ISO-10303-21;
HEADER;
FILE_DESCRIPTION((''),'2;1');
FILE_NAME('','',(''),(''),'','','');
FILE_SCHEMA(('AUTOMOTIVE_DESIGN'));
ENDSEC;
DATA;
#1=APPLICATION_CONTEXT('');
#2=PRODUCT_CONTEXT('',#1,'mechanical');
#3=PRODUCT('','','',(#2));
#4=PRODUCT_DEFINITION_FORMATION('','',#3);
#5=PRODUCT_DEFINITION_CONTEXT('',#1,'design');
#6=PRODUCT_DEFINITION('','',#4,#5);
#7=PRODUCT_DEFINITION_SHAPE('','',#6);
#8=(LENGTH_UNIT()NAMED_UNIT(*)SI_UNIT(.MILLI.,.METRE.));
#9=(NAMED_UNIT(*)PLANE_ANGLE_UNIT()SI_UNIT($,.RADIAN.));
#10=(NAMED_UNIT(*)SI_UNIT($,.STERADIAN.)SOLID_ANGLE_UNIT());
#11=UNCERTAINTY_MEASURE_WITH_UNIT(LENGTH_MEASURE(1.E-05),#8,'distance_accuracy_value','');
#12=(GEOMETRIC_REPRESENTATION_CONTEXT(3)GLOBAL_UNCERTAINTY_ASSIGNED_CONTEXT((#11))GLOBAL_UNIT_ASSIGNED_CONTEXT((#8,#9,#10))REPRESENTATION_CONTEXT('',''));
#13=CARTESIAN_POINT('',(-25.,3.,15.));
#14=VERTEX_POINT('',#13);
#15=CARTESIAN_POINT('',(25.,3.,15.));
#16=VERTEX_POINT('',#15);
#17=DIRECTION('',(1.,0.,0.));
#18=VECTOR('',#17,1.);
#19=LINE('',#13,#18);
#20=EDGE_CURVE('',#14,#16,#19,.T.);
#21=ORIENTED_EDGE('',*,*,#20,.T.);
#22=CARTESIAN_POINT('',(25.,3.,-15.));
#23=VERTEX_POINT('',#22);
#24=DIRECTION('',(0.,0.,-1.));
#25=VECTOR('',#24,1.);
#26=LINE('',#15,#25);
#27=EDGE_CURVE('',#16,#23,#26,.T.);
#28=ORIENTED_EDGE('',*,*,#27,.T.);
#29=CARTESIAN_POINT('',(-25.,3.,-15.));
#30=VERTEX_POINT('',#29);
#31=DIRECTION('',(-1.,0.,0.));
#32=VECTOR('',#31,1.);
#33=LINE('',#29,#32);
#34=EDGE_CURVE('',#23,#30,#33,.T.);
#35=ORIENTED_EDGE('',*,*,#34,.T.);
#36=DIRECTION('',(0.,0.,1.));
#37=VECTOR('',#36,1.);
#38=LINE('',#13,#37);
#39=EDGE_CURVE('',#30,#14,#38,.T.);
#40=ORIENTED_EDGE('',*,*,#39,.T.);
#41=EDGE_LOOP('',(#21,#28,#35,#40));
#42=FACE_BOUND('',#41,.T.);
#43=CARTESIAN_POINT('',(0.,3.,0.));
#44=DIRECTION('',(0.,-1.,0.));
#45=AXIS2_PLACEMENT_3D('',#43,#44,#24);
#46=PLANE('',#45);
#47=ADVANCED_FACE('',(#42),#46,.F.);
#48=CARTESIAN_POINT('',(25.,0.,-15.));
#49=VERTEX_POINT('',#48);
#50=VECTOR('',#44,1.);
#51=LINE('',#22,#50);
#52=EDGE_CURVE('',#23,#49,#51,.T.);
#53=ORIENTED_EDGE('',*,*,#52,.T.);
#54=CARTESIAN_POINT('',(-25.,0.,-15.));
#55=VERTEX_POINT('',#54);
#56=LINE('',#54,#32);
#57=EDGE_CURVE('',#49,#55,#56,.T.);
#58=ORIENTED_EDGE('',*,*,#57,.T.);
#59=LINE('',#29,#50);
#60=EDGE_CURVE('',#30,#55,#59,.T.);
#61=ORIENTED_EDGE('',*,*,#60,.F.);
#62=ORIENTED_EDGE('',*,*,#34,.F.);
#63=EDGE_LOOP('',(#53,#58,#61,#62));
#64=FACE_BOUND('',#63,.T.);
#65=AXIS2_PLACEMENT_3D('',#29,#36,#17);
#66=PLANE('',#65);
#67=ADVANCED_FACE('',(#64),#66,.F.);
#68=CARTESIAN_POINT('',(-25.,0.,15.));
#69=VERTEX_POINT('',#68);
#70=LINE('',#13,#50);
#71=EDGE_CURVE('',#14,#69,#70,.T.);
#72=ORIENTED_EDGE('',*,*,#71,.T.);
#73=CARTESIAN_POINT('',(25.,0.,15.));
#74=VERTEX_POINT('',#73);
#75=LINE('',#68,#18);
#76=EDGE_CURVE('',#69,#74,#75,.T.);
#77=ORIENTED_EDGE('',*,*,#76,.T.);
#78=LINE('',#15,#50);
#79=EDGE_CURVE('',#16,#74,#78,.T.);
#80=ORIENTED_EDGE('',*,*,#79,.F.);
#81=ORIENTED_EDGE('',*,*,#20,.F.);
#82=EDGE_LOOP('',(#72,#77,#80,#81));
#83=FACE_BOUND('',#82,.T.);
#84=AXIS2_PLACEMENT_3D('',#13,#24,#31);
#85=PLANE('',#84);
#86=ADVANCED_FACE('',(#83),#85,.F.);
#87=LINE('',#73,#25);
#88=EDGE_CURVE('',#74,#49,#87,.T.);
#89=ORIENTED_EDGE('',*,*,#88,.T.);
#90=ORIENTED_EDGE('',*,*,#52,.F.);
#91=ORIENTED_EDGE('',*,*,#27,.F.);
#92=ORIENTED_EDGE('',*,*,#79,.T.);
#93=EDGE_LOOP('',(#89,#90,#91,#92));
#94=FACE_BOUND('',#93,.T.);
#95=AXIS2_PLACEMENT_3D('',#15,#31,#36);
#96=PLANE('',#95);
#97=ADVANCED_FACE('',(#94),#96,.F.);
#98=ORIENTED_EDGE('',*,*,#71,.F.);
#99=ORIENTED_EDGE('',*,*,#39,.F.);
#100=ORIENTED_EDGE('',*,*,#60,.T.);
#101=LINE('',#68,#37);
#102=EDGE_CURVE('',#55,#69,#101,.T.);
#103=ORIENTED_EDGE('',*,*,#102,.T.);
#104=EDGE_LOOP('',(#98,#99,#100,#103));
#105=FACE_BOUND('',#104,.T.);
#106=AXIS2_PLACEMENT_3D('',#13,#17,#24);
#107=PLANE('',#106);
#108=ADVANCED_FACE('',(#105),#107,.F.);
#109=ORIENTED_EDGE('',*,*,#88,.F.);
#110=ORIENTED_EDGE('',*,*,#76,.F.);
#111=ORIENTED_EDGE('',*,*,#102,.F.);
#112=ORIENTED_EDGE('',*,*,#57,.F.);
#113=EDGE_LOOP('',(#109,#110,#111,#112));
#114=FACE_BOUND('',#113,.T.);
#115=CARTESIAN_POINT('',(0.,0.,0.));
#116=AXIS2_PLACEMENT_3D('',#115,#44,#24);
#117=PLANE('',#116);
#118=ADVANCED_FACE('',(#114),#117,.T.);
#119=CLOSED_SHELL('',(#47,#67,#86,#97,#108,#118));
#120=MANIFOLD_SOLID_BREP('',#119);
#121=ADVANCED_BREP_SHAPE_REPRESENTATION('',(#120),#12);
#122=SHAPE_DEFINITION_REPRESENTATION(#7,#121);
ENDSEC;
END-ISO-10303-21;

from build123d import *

# Parameters (mm, degrees)
SKETCH1_W           = 50
SKETCH1_H           = 30
BOSS_EXTRUDE1_DEPTH = 3


with BuildPart() as part:
    # Sketch1 → Boss-Extrude1 (new body)
    with BuildSketch(Plane(origin=(0, 0, 0), x_dir=(1, 0, 0), z_dir=(0, 1, 0))):
        Rectangle(SKETCH1_W, SKETCH1_H)
    extrude(amount=BOSS_EXTRUDE1_DEPTH)


solid = part.part
